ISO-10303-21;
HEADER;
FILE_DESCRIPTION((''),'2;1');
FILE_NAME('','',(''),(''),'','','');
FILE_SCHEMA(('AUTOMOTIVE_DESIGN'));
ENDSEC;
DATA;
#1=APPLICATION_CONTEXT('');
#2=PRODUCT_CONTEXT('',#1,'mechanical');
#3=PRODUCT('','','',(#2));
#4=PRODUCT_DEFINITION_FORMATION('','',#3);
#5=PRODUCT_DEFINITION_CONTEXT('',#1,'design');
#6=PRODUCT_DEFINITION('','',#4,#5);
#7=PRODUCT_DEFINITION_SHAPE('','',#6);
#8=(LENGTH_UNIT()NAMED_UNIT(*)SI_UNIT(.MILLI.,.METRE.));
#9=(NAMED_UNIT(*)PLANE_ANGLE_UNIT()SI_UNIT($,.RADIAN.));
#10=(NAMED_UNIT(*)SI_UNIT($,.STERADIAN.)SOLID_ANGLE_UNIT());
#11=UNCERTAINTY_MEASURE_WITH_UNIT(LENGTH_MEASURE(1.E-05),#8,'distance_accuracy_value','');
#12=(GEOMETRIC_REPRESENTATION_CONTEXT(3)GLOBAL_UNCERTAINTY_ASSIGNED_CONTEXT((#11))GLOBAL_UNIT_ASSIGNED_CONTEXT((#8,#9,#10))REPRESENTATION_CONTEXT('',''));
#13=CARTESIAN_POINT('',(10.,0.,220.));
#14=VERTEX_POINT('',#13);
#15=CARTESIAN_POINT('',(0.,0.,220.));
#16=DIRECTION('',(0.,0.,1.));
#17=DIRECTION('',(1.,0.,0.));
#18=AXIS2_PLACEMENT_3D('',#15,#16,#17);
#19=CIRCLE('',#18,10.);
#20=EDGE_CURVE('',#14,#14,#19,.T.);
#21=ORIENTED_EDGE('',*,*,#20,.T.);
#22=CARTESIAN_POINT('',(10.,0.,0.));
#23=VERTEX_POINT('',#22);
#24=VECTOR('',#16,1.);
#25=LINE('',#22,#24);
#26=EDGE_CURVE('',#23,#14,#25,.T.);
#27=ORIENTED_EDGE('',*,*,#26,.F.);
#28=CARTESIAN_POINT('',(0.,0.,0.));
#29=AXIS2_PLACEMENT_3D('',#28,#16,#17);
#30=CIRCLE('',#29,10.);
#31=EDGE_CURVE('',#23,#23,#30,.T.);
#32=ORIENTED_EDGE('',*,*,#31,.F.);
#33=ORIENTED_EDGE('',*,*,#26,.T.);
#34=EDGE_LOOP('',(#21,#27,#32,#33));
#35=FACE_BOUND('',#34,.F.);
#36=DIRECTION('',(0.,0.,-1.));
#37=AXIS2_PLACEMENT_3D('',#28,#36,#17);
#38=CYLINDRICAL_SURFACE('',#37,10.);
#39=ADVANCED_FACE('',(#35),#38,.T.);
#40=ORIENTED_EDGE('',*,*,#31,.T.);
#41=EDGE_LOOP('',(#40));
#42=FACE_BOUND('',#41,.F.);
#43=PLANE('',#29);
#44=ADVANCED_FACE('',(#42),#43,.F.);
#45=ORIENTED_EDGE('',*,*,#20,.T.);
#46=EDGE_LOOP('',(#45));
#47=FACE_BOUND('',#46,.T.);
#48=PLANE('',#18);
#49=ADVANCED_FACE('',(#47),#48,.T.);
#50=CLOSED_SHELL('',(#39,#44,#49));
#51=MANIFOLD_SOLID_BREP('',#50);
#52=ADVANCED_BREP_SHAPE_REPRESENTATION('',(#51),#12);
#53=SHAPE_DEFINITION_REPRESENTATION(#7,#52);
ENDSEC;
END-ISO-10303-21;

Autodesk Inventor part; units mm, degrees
ref_plane "YZ Plane" through (0, 0, 0) normal (1, 0, 0) x (0, 1, 0)
ref_plane "XZ Plane" through (0, 0, 0) normal (0, 1, 0) x (-1, 0, 0)
ref_plane "XY Plane" through (0, 0, 0) normal (0, 0, 1) x (1, 0, 0)
sketch "Szkic1" plane through (0, 0, 0) normal (0, 0, 1) x (1, 0, 0)
  circle A0 centre (0, 0) radius 10
  dimension "d0" = 20
extrude "Wyciągnięcie proste1" add sketch "Szkic1" along normal blind 220
properties part number "sworzeń23"
